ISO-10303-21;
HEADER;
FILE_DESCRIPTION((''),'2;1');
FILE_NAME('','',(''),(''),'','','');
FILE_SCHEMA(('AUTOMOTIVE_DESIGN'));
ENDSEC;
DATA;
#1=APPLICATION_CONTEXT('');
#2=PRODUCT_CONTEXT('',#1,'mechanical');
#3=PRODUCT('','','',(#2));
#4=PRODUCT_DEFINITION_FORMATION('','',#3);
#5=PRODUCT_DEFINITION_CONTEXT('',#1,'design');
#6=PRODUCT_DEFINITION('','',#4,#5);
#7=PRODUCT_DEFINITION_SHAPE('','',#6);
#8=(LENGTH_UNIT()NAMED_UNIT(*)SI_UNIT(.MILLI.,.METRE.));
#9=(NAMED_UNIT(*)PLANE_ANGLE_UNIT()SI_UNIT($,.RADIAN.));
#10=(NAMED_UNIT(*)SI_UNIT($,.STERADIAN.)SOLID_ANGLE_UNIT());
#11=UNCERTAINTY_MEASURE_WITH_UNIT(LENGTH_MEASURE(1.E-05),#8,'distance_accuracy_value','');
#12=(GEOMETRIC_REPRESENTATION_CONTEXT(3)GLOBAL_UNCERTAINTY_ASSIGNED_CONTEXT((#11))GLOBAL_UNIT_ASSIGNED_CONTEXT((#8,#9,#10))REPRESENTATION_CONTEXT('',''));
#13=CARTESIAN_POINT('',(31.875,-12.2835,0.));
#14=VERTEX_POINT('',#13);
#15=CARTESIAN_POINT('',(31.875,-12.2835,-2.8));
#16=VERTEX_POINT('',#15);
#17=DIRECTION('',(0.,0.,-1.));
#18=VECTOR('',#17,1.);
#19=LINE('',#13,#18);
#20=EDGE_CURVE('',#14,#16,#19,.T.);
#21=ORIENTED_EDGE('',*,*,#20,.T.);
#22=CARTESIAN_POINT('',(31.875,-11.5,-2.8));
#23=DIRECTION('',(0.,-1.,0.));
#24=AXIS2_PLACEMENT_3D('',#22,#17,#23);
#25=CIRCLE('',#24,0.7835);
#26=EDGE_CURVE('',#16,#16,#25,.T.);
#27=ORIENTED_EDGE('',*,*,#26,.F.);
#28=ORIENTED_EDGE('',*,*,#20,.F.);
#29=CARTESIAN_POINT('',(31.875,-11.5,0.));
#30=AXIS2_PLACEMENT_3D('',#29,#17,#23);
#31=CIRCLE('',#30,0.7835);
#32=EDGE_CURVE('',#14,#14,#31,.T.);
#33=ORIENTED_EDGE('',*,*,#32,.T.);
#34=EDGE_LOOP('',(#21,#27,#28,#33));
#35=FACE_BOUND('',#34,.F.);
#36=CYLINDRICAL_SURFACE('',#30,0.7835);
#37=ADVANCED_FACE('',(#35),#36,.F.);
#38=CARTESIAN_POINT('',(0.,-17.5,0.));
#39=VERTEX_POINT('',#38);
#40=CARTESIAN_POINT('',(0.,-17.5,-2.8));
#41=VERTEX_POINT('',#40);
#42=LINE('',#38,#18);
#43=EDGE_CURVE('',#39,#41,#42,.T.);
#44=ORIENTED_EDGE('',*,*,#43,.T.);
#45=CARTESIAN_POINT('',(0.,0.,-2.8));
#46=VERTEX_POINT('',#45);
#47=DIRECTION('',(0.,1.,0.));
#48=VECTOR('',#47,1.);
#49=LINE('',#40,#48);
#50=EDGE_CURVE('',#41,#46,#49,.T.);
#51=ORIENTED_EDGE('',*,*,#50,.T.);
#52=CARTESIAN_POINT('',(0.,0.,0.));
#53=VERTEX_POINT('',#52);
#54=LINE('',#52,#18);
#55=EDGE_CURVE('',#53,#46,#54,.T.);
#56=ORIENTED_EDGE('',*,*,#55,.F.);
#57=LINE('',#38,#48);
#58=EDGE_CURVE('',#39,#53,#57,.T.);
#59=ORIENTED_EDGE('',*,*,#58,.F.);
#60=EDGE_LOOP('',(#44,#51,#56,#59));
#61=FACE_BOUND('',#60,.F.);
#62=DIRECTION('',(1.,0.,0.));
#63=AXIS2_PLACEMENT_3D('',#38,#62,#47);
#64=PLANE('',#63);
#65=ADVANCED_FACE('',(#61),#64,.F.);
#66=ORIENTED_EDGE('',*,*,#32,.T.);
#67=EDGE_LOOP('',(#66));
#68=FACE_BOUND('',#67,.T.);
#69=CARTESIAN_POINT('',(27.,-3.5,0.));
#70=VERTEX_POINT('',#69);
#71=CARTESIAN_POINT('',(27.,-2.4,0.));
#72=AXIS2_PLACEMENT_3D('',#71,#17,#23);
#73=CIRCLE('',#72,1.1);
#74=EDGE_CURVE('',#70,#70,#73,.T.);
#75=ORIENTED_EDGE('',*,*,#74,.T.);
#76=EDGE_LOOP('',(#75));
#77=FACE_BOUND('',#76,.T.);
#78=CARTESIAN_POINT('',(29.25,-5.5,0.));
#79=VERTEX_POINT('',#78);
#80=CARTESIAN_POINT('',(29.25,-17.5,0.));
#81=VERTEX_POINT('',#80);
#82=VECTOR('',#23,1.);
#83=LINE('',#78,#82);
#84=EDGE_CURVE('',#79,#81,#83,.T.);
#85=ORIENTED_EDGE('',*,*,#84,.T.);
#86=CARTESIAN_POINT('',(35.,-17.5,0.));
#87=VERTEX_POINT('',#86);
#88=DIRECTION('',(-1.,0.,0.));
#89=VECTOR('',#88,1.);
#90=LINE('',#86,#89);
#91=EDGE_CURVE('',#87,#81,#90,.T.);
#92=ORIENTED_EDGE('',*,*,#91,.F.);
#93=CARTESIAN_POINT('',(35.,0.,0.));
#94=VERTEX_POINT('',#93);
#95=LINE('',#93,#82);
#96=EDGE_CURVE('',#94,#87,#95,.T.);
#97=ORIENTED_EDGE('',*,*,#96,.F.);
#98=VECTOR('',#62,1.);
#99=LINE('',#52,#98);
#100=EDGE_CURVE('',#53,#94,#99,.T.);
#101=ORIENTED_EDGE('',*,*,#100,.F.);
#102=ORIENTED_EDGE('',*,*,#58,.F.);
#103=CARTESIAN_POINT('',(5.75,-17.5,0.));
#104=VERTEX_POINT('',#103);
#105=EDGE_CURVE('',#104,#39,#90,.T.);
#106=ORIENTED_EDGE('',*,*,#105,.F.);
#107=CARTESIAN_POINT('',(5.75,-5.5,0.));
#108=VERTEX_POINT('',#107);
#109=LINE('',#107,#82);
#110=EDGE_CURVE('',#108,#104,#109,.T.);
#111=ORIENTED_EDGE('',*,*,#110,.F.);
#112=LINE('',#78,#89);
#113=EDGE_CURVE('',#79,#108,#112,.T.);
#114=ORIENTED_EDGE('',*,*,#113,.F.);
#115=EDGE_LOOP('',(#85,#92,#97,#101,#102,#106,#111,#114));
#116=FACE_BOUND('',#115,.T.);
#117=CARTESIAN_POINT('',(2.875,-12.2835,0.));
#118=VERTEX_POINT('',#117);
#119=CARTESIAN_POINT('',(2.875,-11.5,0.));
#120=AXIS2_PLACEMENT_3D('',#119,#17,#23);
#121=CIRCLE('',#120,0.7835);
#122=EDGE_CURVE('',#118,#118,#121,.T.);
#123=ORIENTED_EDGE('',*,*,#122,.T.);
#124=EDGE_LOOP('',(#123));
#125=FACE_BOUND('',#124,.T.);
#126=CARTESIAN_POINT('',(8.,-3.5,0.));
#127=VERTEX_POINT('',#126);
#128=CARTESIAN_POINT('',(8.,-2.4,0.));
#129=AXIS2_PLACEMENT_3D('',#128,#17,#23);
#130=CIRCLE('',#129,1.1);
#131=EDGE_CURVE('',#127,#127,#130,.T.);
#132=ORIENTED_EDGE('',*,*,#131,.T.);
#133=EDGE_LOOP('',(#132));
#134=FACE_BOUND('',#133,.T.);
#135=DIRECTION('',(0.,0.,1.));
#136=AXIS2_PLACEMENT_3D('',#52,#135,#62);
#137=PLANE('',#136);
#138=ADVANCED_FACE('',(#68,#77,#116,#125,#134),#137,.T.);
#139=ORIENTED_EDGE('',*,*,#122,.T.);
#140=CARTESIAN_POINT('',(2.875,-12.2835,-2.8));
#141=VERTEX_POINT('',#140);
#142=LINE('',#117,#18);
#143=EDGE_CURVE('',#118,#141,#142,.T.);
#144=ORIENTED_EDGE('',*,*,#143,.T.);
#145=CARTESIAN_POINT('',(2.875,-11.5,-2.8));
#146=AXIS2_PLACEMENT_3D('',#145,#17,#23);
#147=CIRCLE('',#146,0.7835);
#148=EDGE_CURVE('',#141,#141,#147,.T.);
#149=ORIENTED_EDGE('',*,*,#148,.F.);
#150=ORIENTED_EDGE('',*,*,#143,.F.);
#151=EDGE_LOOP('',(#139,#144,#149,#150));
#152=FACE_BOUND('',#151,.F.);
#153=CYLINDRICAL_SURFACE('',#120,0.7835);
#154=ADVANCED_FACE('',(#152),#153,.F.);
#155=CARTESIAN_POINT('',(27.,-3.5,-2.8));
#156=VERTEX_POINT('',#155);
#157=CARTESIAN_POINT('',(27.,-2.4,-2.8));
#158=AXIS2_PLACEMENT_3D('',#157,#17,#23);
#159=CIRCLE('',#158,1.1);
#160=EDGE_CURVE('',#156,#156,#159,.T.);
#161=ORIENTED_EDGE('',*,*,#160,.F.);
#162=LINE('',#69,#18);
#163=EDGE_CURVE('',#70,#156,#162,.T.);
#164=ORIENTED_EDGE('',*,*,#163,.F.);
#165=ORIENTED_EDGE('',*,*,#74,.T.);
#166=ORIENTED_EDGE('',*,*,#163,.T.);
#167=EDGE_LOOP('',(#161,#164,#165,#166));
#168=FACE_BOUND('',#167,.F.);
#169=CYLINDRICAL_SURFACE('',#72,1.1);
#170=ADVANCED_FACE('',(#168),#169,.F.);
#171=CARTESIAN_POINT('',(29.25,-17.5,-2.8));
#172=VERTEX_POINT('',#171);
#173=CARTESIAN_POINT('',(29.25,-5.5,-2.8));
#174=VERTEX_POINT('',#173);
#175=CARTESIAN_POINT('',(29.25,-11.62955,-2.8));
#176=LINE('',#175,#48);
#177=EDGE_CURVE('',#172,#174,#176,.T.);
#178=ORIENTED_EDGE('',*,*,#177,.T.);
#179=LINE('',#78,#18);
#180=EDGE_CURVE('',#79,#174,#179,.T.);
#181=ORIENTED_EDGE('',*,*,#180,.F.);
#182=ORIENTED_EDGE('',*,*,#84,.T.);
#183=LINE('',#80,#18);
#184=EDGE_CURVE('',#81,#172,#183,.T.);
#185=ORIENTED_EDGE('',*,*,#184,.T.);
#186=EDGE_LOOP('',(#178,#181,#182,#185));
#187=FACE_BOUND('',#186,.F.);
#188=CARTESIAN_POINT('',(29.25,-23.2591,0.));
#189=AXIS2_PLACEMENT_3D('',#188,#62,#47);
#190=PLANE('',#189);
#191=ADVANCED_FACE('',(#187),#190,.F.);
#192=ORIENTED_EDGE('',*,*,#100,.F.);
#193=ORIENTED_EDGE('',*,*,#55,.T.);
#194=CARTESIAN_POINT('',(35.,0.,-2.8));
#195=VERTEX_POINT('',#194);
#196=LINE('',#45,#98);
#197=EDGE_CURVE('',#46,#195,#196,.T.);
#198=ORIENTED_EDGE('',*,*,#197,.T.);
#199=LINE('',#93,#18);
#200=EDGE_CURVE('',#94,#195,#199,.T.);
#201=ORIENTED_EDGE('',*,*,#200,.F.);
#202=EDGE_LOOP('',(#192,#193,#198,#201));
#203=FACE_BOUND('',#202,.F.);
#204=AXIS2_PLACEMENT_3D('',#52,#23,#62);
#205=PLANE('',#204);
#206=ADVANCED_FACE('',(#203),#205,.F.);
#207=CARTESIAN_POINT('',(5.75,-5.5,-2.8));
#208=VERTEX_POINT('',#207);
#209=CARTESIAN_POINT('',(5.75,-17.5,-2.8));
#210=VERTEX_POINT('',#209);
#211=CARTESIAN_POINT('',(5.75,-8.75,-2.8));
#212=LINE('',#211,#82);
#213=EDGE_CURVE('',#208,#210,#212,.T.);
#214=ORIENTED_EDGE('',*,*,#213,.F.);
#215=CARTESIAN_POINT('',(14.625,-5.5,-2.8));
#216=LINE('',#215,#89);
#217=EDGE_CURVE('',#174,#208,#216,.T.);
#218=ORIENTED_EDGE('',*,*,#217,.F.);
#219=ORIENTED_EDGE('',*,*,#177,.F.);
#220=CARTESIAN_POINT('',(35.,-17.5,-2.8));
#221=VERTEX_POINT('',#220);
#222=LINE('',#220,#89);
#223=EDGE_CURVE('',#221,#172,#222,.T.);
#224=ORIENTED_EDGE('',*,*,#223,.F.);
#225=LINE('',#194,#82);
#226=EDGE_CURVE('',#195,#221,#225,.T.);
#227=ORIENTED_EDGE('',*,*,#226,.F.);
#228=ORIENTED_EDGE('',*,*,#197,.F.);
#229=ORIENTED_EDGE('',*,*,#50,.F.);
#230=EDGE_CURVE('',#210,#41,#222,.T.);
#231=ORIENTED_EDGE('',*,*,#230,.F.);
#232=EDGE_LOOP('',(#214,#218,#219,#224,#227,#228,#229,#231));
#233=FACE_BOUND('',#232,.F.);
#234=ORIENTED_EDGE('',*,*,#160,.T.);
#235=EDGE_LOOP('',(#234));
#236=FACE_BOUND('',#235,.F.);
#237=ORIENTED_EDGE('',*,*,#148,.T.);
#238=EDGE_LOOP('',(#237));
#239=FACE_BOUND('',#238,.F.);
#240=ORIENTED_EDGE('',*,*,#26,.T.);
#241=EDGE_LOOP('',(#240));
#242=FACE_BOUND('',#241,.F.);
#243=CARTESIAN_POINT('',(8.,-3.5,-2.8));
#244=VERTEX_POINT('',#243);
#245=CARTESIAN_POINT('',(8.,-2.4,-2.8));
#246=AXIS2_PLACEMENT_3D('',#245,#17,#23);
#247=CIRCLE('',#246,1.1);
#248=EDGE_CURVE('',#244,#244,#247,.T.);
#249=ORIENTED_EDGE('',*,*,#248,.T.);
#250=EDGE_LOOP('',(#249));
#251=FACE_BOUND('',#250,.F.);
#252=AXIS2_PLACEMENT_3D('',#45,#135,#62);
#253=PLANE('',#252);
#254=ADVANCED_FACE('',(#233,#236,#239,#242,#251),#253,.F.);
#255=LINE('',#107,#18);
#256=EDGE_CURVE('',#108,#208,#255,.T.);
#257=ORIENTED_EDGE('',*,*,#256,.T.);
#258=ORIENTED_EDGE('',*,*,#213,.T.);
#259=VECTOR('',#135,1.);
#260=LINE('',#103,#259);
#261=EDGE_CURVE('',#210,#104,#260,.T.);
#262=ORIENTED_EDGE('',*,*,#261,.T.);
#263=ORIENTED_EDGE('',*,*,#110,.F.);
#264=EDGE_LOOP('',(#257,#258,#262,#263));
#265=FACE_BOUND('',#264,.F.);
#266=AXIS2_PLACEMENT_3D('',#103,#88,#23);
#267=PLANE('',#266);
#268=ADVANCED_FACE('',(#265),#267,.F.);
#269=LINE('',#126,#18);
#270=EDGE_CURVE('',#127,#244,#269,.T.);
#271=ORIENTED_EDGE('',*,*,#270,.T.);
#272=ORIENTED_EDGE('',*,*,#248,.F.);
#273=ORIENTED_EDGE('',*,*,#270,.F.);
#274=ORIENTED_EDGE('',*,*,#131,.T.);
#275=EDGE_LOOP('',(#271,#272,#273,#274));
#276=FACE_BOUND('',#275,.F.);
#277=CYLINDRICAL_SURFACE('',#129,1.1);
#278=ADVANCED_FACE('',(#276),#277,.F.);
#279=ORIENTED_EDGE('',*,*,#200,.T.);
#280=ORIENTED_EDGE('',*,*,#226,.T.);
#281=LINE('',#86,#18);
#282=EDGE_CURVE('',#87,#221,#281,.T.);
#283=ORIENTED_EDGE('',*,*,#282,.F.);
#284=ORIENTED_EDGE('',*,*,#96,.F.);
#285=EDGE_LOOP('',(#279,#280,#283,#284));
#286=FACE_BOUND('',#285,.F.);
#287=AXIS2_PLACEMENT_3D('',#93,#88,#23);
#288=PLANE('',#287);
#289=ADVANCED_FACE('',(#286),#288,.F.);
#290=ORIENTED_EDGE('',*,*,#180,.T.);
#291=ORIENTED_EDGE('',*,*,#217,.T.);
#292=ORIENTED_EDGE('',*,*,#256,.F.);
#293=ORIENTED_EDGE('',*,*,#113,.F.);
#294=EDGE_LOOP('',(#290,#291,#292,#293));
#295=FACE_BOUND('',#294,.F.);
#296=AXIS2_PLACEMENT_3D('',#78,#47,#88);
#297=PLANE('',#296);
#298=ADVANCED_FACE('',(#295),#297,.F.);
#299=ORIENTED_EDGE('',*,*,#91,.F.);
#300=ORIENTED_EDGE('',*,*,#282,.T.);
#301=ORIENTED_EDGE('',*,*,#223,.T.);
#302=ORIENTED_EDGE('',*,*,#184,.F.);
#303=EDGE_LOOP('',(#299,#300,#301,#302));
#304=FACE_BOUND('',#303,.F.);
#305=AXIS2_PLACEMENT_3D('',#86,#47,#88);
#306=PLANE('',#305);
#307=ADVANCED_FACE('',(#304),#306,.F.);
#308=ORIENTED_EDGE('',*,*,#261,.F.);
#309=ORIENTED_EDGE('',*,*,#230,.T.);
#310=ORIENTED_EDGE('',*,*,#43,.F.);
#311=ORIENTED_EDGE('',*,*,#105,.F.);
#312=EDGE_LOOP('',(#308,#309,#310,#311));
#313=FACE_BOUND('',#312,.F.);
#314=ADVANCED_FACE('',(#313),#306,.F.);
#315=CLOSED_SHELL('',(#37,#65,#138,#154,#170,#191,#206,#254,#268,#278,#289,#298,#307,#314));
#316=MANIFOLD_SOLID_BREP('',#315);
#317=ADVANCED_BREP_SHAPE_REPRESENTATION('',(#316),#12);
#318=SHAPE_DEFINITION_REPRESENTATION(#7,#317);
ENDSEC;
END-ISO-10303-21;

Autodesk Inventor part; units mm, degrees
ref_plane "YZ Plane" through (0, 0, 0) normal (1, 0, 0) x (0, 1, 0)
ref_plane "XZ Plane" through (0, 0, 0) normal (0, 1, 0) x (-1, 0, 0)
ref_plane "XY Plane" through (0, 0, 0) normal (0, 0, 1) x (1, 0, 0)
sketch "Sketch1" plane through (0, 0, 0) normal (0, 0, 1) x (1, 0, 0)
  line L0 (0, 0) -> (35, 0)
  line L1 (35, 0) -> (35, -17.5)
  line L2 (35, -17.5) -> (0, -17.5)
  line L3 (0, -17.5) -> (0, 0)
  dimension "d0" = 17.5
  dimension "d1" = 35
extrude "Extrusion1" add sketch "Sketch1" against normal blind 2.8
sketch "Sketch2" plane through (0, 0, 0) normal (0, 0, 1) x (1, 0, 0)
  line L0 (35, -17.5) -> (0, -17.5) projected
  line L1 (5.75, -23.2591) -> (29.25, -23.2591)
  line L2 (29.25, -23.2591) -> (29.25, -5.5)
  line L3 (29.25, -5.5) -> (5.75, -5.5)
  line L4 (5.75, -5.5) -> (5.75, -23.2591)
  point P0 (17.5, -5.5)
  point P1 (17.5, -17.5)
  dimension "d4" = 12
  dimension "d5" = 23.5
extrude "Extrusion2" cut sketch "Sketch2" against normal through all
sketch "Sketch3" plane through (0, 0, 0) normal (0, 0, 1) x (1, 0, 0)
  line L0 (0, 0) -> (35, 0) projected
  line L1 (0, -17.5) -> (0, 0) projected
  point P0 (8, -2.4)
  point P1 (27, -2.4)
  dimension "d8" = 8
  dimension "d9" = 19
  dimension "d10" = 2.4
hole "Hole1" at (8, -2.4, 0) at (27, -2.4, 0) direction (0, 0, -1) diameter 2.2 end through all
sketch "Sketch4" plane through (0, 0, 0) normal (0, 0, 1) x (1, 0, 0)
  line L0 (29.25, -5.5) -> (29.25, -17.5) projected
  line L1 (5.75, -17.5) -> (0, -17.5) projected
  line L2 (5.75, -17.5) -> (5.75, -5.5) projected
  point P0 (2.875, -11.5)
  point P1 (31.875, -11.5)
  point P2 (5.75, -11.5)
  point P3 (29.25, -11.5)
  point P4 (2.875, -17.5)
hole "Hole2" at (2.875, -11.5, 0) at (31.875, -11.5, 0) direction (0, 0, -1) diameter 1.567 end through all thread size "M2x0.4" class "6H" standard "ISO Metric profile"
properties part number "Servo Mount2"
